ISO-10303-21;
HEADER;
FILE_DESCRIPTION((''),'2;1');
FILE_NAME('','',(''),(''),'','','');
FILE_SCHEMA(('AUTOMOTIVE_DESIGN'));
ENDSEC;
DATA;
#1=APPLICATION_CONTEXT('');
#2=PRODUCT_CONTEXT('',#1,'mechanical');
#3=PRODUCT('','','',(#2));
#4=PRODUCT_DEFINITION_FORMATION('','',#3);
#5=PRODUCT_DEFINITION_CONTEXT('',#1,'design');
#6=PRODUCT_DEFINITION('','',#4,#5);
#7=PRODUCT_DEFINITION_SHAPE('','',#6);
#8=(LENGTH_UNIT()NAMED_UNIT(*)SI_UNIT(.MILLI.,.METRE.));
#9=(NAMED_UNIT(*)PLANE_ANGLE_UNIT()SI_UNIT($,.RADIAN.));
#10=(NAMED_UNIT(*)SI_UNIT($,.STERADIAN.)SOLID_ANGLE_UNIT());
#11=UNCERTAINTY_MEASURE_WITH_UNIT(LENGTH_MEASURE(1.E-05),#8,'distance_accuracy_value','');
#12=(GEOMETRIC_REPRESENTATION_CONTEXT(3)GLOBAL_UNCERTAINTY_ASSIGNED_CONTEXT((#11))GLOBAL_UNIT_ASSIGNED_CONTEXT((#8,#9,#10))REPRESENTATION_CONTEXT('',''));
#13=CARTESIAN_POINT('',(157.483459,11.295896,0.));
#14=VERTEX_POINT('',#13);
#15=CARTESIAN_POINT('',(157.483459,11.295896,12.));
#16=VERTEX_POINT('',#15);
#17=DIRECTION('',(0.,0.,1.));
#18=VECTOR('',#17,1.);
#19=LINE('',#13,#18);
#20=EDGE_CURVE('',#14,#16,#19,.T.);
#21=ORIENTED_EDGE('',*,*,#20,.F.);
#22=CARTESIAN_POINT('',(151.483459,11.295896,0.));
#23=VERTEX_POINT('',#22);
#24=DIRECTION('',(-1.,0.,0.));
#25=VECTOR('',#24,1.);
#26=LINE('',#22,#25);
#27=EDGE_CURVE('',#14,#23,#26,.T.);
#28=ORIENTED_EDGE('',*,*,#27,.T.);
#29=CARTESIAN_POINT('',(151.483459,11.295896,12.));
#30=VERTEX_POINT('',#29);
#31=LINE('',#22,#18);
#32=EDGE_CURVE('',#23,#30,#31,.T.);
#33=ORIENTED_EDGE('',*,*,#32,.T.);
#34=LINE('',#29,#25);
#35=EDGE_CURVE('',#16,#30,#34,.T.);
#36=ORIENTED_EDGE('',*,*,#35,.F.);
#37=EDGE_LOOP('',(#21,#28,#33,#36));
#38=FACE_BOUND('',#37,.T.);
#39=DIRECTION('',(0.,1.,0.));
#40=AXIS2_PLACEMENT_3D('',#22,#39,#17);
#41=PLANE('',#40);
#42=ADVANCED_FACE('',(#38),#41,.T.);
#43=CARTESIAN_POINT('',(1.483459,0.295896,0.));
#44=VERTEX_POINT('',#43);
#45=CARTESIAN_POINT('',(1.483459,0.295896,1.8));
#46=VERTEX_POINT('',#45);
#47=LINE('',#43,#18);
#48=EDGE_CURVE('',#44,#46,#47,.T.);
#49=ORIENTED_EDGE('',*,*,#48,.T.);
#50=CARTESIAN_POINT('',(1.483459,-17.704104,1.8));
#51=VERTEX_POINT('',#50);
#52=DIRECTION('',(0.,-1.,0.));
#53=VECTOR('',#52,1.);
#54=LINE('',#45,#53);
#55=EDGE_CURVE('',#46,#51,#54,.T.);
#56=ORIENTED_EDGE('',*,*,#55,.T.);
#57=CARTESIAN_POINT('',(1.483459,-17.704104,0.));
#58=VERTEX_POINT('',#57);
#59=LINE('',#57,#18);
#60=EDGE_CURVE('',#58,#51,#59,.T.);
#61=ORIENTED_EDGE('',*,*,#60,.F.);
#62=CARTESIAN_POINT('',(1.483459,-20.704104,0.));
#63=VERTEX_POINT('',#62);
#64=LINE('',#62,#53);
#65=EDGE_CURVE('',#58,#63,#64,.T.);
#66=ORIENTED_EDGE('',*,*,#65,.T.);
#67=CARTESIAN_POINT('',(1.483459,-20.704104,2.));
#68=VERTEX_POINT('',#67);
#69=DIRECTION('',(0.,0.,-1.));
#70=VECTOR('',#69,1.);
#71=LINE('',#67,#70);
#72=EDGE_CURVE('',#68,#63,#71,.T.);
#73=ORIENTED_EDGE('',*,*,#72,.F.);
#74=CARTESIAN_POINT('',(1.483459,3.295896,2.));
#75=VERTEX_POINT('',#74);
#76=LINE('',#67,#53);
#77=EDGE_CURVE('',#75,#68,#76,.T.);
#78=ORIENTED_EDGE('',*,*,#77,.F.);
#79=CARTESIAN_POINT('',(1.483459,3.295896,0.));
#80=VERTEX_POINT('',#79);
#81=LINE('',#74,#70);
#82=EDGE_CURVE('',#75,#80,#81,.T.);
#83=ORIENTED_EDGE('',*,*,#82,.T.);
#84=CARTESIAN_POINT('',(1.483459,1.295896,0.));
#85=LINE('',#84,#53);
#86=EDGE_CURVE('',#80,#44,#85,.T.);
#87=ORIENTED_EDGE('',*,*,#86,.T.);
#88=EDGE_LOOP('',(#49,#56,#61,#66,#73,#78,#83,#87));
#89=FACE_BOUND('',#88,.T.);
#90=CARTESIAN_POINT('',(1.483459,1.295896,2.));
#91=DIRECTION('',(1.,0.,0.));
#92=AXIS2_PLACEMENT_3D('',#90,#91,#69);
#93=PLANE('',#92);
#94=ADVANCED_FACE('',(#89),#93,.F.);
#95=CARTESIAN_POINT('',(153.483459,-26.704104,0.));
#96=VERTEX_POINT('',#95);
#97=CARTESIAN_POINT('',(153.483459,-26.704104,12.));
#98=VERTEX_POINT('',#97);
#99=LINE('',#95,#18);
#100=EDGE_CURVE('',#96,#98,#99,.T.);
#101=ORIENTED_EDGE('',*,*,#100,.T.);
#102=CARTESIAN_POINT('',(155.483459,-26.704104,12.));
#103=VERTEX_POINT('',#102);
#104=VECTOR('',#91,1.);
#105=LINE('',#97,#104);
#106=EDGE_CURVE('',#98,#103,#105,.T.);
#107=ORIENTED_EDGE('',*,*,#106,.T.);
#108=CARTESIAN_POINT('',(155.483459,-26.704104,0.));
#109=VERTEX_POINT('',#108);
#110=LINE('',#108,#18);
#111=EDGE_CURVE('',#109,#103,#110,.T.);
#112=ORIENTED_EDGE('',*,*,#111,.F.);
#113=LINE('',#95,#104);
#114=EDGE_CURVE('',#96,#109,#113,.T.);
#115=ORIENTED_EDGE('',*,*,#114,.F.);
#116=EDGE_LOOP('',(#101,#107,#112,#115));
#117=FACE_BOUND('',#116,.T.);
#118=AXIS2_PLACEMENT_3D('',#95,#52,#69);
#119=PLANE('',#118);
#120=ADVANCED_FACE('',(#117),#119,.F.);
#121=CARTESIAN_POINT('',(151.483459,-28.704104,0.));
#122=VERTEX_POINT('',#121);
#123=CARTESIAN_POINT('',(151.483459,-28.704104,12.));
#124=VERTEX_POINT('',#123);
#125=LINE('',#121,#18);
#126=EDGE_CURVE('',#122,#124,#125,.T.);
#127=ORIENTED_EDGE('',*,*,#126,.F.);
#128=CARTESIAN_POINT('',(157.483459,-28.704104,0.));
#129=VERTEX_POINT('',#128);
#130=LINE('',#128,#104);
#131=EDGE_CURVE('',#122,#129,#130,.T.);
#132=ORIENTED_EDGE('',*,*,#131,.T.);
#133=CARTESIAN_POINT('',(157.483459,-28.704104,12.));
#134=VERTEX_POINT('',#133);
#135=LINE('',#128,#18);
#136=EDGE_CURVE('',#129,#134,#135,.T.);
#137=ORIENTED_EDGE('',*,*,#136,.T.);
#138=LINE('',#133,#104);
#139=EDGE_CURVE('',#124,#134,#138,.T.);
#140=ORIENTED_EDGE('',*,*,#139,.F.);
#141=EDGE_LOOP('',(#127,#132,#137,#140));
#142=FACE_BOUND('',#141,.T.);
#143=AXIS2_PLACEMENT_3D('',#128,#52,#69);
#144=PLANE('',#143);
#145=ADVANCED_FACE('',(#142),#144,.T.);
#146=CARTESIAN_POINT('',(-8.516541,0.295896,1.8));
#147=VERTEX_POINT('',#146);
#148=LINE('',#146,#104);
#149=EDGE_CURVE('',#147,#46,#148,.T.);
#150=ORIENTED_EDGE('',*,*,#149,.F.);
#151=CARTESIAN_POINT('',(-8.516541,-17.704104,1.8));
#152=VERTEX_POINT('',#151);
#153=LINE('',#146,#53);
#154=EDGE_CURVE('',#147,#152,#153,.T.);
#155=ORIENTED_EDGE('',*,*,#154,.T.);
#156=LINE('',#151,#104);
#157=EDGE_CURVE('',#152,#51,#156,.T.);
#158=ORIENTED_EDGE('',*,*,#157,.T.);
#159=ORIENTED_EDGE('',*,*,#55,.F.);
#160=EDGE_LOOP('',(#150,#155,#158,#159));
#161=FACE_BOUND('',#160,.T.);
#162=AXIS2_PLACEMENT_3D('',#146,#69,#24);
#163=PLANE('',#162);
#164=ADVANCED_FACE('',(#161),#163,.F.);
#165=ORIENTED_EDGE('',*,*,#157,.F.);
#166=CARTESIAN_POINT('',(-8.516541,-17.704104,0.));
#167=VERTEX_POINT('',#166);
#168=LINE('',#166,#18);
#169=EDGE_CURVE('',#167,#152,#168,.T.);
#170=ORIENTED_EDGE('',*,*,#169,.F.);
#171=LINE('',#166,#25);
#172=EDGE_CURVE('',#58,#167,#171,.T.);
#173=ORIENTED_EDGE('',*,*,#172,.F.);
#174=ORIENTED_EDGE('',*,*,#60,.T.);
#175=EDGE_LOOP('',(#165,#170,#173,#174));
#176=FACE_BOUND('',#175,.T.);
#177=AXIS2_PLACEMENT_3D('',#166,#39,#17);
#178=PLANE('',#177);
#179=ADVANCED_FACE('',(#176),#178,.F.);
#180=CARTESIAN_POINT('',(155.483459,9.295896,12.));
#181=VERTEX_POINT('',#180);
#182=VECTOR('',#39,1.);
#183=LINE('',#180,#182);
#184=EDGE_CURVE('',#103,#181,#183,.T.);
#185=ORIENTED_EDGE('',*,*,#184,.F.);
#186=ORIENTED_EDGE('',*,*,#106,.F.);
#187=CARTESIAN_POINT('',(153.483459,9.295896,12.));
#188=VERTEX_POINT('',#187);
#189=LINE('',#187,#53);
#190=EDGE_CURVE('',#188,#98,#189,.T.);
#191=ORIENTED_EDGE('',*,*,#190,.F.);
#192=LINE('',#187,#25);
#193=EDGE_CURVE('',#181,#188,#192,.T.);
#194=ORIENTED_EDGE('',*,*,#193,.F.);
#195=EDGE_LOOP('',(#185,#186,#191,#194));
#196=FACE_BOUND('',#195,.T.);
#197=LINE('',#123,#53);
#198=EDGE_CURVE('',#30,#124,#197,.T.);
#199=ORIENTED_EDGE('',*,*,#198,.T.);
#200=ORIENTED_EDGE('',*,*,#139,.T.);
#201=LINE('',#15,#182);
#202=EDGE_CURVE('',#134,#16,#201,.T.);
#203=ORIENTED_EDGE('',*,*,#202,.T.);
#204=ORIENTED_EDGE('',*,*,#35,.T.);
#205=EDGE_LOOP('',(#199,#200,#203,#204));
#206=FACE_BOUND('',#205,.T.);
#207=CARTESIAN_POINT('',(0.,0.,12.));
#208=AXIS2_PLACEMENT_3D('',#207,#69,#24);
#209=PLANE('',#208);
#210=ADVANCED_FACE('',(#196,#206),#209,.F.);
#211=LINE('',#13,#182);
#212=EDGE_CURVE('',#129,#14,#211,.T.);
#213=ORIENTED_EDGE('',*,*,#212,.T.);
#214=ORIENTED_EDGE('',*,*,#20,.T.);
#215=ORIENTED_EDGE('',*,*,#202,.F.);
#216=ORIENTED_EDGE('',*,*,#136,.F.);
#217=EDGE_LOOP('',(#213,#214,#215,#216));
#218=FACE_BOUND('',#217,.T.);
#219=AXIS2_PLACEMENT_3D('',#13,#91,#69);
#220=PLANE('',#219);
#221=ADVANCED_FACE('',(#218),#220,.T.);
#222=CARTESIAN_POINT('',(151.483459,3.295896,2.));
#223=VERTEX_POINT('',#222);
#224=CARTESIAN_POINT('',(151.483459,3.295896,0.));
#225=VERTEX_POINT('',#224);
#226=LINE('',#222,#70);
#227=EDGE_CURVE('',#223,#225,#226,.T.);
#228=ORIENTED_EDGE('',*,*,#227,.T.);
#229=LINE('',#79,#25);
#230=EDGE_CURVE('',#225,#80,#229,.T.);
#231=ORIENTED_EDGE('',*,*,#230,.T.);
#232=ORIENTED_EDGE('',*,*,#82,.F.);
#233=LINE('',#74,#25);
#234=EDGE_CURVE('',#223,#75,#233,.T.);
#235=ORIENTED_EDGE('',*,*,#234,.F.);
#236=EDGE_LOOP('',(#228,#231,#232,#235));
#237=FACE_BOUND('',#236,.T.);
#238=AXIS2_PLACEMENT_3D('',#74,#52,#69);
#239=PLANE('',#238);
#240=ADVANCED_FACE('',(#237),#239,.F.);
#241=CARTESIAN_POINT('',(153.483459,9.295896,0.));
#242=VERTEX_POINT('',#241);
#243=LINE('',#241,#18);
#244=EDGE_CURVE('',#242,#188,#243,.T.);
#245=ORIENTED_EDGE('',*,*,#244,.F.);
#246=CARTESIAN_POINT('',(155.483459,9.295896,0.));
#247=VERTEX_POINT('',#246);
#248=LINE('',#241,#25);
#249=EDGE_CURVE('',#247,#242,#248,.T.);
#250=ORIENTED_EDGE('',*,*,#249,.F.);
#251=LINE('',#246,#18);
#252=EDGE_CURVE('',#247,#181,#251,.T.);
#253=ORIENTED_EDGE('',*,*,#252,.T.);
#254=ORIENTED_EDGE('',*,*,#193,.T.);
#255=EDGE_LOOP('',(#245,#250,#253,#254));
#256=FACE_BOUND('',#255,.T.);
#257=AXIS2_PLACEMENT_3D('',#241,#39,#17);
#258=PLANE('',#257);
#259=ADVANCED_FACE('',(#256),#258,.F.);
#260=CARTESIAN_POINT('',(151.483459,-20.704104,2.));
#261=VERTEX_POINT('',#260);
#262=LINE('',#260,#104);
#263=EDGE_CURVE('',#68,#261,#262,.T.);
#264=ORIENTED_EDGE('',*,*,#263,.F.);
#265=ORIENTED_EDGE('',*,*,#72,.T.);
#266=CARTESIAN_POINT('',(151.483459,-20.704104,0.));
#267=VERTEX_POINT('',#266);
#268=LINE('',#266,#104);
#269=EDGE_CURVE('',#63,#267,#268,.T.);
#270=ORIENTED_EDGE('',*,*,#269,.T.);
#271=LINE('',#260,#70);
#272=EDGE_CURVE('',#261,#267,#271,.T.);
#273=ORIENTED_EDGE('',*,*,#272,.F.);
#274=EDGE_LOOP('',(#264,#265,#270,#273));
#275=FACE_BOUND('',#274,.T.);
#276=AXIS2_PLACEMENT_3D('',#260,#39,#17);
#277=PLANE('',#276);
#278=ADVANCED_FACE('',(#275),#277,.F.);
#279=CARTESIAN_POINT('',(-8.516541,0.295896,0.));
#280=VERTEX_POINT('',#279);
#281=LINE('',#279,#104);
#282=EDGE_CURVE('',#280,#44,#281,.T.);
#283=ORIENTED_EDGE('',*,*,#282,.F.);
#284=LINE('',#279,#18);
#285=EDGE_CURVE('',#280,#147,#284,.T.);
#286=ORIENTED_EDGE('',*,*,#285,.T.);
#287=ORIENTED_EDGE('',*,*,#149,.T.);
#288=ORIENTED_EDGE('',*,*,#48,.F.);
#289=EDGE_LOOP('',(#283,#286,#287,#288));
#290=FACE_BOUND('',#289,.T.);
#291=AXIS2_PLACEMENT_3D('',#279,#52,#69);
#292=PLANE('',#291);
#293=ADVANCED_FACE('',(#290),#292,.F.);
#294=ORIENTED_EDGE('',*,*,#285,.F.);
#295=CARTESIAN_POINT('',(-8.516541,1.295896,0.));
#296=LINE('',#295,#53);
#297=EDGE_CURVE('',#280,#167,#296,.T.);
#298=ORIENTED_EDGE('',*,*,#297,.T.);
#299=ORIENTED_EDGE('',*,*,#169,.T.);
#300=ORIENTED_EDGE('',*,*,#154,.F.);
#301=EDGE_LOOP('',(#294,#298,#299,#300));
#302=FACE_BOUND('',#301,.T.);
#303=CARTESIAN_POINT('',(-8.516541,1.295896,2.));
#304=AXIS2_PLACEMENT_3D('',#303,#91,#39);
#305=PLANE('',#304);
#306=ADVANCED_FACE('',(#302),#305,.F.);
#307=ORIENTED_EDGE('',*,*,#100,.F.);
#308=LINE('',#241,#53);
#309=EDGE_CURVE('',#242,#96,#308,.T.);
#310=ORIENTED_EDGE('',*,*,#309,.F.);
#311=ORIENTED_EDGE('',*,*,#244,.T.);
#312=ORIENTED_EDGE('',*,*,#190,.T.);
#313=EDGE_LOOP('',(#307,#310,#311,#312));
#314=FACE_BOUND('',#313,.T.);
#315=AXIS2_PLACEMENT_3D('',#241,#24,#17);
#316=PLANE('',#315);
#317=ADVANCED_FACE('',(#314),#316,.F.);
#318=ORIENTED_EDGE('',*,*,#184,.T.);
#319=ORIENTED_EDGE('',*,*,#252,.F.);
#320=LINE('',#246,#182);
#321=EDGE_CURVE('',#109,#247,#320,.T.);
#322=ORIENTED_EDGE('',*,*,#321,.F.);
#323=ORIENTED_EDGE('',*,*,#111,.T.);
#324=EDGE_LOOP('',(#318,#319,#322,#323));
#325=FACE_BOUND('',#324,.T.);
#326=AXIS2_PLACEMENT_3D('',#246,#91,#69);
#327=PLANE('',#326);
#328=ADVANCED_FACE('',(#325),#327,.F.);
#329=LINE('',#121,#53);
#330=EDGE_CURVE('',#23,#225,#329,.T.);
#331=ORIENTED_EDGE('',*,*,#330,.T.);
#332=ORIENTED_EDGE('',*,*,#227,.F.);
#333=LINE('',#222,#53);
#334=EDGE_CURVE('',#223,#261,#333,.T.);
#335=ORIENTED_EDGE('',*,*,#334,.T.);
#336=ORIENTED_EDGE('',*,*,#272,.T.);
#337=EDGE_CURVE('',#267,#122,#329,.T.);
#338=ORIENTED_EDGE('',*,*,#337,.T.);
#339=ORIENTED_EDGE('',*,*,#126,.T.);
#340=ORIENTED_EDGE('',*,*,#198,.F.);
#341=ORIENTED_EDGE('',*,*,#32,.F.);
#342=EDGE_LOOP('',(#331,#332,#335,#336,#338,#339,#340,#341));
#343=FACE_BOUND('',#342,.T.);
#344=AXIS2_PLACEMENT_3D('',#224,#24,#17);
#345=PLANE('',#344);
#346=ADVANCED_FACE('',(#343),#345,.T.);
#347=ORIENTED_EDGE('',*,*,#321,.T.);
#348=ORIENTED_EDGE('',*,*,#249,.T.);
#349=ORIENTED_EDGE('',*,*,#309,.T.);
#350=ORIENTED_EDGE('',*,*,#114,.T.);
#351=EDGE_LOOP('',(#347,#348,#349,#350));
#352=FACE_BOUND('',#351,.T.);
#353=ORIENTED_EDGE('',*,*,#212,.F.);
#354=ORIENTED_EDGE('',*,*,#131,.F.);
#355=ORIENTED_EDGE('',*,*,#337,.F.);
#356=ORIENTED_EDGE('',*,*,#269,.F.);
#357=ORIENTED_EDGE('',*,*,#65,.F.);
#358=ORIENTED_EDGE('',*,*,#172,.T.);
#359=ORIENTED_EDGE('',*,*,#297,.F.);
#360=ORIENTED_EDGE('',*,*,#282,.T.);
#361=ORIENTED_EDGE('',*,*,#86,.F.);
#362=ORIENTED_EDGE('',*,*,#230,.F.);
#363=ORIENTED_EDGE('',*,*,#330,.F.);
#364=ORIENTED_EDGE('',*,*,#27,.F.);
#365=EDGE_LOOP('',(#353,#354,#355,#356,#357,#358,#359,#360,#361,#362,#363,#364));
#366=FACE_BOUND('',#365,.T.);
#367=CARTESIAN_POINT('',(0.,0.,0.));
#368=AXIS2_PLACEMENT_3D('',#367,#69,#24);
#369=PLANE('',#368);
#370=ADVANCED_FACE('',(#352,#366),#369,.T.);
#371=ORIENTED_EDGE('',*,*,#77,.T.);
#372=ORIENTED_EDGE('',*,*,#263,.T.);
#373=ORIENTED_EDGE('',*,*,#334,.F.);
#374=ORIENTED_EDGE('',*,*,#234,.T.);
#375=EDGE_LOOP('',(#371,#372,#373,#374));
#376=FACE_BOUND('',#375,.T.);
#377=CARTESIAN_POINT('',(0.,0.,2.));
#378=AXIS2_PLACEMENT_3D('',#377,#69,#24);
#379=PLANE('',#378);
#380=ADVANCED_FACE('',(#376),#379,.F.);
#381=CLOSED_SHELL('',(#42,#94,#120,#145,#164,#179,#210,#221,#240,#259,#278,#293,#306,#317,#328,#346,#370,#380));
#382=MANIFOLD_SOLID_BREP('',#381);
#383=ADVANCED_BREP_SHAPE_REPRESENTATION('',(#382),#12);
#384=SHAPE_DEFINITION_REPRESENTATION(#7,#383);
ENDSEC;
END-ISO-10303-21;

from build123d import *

# Parameters (mm, degrees)
SALIENTE_EXTRUIR1_DEPTH = 2
CROQUIS2_W              = 2
CROQUIS2_H              = 36
SALIENTE_EXTRUIR2_DEPTH = 2
CROQUIS2_2_W            = 2
CROQUIS2_2_H            = 36
SALIENTE_EXTRUIR3_DEPTH = 10
CROQUIS3_W              = 10
CROQUIS3_H              = 1
CORTAR_EXTRUIR1_DEPTH   = 2
CROQUIS4_W              = 10
CROQUIS4_H              = 0.2
CORTAR_EXTRUIR2_DEPTH   = 18


with BuildPart() as part:
    # Croquis1 → Saliente-Extruir1 (new body)
    with BuildSketch(Plane.XY):
        Polygon((-8.516541248, 1.295896328), (1.483458752, 1.295896328), (1.483458752, 3.295896328), (151.483458752, 3.295896328), (151.483458752, -20.704103672), (1.483458752, -20.704103672), (1.483458752, -18.704103672), (-8.516541248, -18.704103672), align=None)
    extrude(amount=SALIENTE_EXTRUIR1_DEPTH)

    # Croquis2 → Saliente-Extruir2 (add)
    with BuildSketch(Plane.XY.offset(2)):
        Polygon((151.483458752, 3.295896328), (151.483458752, 11.295896328), (157.483458752, 11.295896328), (157.483458752, -28.704103672), (151.483458752, -28.704103672), align=None)
        with Locations((154.483458752, -8.704103672)):
            Rectangle(CROQUIS2_W, CROQUIS2_H, mode=Mode.SUBTRACT)
    extrude(amount=-SALIENTE_EXTRUIR2_DEPTH)

    # Croquis2<2> → Saliente-Extruir3 (add)
    with BuildSketch(Plane.XY.offset(2)):
        Polygon((151.483458752, 3.295896328), (151.483458752, 11.295896328), (157.483458752, 11.295896328), (157.483458752, -28.704103672), (151.483458752, -28.704103672), align=None)
        with Locations((154.483458752, -8.704103672)):
            Rectangle(CROQUIS2_2_W, CROQUIS2_2_H, mode=Mode.SUBTRACT)
    extrude(amount=SALIENTE_EXTRUIR3_DEPTH)

    # Croquis3 → Cortar-Extruir1 (cut)
    with BuildSketch(Plane.XY.offset(2)):
        with Locations((-3.516541248, 0.795896328)):
            Rectangle(CROQUIS3_W, CROQUIS3_H)
        with Locations((-3.516541248, -18.204103672)):
            Rectangle(CROQUIS3_W, CROQUIS3_H)
    extrude(amount=-CORTAR_EXTRUIR1_DEPTH, mode=Mode.SUBTRACT)

    # Croquis4 → Cortar-Extruir2 (cut)
    with BuildSketch(Plane.XZ.offset(17.704103672)):
        with Locations((-3.516541248, 1.9)):
            Rectangle(CROQUIS4_W, CROQUIS4_H)
    extrude(amount=-CORTAR_EXTRUIR2_DEPTH, mode=Mode.SUBTRACT)


solid = part.part
